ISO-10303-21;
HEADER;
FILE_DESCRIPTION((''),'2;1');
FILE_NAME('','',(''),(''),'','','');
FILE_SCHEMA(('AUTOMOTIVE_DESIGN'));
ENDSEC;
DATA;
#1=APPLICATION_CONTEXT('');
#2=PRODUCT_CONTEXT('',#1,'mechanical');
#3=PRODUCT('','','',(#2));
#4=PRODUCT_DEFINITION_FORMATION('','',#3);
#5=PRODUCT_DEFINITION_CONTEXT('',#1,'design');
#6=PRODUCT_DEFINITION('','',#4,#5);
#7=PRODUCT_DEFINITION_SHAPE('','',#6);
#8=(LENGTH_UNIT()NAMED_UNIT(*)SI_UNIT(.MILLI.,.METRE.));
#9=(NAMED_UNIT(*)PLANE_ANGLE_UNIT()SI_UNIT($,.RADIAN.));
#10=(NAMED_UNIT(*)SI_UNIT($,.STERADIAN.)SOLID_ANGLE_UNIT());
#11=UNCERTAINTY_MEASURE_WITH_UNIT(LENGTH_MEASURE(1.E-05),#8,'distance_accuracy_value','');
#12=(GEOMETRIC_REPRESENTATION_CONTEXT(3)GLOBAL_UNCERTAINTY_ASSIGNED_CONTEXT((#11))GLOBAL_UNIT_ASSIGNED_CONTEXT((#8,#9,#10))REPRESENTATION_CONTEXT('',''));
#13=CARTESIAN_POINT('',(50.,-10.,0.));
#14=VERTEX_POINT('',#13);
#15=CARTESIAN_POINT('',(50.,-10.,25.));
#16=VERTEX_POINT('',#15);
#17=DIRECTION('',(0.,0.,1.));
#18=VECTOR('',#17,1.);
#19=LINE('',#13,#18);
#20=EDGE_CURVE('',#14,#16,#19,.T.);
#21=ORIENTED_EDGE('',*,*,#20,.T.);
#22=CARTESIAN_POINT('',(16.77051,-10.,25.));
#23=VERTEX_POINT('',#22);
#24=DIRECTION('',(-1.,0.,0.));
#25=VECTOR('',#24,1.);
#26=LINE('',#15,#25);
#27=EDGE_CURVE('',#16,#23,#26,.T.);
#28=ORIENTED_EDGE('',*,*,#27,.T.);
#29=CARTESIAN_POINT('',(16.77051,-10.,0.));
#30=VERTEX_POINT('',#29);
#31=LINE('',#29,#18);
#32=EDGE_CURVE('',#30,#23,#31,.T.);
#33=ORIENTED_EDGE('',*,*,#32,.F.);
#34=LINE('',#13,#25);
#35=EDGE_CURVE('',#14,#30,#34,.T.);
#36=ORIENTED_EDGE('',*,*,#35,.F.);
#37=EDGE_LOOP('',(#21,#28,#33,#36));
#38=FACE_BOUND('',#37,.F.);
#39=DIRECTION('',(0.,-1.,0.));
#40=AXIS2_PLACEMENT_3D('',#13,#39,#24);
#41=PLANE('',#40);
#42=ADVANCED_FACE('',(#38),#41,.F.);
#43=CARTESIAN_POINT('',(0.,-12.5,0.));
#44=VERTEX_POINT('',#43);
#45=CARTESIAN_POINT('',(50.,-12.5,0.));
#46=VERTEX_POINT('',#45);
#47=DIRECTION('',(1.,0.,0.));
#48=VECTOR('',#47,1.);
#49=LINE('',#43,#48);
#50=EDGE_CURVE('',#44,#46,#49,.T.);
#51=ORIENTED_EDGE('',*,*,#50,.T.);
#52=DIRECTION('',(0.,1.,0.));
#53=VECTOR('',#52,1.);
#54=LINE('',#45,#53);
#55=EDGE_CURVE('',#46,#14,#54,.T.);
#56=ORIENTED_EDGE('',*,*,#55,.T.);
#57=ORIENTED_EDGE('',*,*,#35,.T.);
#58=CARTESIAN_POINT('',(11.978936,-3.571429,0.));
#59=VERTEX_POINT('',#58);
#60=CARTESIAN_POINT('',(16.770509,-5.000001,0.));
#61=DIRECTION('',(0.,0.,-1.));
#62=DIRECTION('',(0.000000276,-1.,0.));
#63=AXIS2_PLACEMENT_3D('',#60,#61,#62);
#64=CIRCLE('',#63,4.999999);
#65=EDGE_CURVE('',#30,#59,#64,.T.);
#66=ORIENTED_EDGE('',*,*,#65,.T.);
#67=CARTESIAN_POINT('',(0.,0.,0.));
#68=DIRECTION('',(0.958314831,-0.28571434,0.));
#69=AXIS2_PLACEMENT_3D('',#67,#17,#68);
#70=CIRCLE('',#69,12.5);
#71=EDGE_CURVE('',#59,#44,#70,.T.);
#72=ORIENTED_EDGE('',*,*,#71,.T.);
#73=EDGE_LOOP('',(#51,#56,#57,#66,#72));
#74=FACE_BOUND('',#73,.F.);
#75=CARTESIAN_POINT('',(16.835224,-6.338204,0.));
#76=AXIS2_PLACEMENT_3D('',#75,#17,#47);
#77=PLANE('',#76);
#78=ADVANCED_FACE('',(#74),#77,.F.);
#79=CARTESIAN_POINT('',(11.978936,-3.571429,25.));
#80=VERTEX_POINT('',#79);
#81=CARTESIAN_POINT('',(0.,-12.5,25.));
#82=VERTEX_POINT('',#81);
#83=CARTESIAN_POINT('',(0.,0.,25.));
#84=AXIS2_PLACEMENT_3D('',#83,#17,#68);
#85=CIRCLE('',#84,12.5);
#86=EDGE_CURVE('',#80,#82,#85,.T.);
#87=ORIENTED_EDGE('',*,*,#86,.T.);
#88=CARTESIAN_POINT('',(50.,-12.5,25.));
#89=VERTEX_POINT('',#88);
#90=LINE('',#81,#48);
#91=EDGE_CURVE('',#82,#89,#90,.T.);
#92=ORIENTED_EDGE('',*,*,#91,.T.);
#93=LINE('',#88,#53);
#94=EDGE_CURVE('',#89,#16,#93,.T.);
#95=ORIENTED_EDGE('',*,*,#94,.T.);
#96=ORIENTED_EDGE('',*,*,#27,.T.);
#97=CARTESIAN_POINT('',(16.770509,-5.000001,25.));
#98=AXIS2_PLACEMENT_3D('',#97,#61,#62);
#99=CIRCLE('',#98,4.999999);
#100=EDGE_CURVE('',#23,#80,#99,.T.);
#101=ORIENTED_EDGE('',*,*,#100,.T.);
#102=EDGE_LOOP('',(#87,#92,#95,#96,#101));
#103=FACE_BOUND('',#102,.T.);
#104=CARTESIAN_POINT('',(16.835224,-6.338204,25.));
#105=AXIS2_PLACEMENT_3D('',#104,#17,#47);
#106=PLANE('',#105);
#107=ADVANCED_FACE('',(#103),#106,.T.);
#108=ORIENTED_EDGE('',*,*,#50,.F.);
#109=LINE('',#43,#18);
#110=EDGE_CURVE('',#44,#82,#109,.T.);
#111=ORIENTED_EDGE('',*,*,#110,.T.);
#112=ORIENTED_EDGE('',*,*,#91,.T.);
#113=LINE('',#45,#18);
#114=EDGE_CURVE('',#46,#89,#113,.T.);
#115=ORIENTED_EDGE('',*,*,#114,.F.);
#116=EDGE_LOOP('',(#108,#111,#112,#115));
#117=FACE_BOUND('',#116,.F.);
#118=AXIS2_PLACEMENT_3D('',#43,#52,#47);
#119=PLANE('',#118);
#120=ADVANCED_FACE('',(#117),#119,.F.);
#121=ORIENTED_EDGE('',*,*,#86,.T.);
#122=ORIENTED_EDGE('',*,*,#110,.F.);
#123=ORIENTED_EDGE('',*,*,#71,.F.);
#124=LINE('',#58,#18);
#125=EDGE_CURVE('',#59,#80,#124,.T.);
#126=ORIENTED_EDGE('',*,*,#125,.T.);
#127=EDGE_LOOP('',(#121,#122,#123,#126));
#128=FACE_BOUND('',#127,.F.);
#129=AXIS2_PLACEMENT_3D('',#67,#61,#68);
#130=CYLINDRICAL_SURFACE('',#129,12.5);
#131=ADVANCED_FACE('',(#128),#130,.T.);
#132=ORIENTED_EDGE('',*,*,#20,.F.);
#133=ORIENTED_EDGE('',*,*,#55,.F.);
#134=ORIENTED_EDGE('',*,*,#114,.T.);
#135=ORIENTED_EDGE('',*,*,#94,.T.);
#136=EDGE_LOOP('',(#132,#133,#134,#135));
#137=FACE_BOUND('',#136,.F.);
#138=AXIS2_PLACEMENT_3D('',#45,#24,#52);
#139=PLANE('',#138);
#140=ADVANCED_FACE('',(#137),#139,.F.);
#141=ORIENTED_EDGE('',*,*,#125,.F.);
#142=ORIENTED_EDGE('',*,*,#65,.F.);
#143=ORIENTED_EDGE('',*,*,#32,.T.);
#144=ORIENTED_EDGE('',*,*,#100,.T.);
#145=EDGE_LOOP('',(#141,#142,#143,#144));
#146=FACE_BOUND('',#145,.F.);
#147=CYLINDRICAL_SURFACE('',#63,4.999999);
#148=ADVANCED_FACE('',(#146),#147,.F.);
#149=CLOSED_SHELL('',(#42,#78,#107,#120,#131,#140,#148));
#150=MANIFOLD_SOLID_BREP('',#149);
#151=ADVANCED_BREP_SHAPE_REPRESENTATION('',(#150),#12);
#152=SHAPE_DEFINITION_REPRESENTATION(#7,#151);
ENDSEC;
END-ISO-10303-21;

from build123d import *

# Parameters (mm, degrees)
F1_DEPTH = 25


with BuildPart() as f1:
    # F0 (on Top) → F1 (new body)
    with BuildSketch(Plane.XY):
        with BuildLine():
            ThreePointArc((16.77051, -10), (12.761591, -7.988072), (11.978936, -3.571429))
            ThreePointArc((11.978936, -3.571429), (-7.470179, 10.022297), (0, -12.5))
            Line((0, -12.5), (50, -12.5))
            Line((50, -12.5), (50, -10))
            Line((50, -10), (16.77051, -10))
        make_face()
    extrude(amount=F1_DEPTH)


solid = f1.part
